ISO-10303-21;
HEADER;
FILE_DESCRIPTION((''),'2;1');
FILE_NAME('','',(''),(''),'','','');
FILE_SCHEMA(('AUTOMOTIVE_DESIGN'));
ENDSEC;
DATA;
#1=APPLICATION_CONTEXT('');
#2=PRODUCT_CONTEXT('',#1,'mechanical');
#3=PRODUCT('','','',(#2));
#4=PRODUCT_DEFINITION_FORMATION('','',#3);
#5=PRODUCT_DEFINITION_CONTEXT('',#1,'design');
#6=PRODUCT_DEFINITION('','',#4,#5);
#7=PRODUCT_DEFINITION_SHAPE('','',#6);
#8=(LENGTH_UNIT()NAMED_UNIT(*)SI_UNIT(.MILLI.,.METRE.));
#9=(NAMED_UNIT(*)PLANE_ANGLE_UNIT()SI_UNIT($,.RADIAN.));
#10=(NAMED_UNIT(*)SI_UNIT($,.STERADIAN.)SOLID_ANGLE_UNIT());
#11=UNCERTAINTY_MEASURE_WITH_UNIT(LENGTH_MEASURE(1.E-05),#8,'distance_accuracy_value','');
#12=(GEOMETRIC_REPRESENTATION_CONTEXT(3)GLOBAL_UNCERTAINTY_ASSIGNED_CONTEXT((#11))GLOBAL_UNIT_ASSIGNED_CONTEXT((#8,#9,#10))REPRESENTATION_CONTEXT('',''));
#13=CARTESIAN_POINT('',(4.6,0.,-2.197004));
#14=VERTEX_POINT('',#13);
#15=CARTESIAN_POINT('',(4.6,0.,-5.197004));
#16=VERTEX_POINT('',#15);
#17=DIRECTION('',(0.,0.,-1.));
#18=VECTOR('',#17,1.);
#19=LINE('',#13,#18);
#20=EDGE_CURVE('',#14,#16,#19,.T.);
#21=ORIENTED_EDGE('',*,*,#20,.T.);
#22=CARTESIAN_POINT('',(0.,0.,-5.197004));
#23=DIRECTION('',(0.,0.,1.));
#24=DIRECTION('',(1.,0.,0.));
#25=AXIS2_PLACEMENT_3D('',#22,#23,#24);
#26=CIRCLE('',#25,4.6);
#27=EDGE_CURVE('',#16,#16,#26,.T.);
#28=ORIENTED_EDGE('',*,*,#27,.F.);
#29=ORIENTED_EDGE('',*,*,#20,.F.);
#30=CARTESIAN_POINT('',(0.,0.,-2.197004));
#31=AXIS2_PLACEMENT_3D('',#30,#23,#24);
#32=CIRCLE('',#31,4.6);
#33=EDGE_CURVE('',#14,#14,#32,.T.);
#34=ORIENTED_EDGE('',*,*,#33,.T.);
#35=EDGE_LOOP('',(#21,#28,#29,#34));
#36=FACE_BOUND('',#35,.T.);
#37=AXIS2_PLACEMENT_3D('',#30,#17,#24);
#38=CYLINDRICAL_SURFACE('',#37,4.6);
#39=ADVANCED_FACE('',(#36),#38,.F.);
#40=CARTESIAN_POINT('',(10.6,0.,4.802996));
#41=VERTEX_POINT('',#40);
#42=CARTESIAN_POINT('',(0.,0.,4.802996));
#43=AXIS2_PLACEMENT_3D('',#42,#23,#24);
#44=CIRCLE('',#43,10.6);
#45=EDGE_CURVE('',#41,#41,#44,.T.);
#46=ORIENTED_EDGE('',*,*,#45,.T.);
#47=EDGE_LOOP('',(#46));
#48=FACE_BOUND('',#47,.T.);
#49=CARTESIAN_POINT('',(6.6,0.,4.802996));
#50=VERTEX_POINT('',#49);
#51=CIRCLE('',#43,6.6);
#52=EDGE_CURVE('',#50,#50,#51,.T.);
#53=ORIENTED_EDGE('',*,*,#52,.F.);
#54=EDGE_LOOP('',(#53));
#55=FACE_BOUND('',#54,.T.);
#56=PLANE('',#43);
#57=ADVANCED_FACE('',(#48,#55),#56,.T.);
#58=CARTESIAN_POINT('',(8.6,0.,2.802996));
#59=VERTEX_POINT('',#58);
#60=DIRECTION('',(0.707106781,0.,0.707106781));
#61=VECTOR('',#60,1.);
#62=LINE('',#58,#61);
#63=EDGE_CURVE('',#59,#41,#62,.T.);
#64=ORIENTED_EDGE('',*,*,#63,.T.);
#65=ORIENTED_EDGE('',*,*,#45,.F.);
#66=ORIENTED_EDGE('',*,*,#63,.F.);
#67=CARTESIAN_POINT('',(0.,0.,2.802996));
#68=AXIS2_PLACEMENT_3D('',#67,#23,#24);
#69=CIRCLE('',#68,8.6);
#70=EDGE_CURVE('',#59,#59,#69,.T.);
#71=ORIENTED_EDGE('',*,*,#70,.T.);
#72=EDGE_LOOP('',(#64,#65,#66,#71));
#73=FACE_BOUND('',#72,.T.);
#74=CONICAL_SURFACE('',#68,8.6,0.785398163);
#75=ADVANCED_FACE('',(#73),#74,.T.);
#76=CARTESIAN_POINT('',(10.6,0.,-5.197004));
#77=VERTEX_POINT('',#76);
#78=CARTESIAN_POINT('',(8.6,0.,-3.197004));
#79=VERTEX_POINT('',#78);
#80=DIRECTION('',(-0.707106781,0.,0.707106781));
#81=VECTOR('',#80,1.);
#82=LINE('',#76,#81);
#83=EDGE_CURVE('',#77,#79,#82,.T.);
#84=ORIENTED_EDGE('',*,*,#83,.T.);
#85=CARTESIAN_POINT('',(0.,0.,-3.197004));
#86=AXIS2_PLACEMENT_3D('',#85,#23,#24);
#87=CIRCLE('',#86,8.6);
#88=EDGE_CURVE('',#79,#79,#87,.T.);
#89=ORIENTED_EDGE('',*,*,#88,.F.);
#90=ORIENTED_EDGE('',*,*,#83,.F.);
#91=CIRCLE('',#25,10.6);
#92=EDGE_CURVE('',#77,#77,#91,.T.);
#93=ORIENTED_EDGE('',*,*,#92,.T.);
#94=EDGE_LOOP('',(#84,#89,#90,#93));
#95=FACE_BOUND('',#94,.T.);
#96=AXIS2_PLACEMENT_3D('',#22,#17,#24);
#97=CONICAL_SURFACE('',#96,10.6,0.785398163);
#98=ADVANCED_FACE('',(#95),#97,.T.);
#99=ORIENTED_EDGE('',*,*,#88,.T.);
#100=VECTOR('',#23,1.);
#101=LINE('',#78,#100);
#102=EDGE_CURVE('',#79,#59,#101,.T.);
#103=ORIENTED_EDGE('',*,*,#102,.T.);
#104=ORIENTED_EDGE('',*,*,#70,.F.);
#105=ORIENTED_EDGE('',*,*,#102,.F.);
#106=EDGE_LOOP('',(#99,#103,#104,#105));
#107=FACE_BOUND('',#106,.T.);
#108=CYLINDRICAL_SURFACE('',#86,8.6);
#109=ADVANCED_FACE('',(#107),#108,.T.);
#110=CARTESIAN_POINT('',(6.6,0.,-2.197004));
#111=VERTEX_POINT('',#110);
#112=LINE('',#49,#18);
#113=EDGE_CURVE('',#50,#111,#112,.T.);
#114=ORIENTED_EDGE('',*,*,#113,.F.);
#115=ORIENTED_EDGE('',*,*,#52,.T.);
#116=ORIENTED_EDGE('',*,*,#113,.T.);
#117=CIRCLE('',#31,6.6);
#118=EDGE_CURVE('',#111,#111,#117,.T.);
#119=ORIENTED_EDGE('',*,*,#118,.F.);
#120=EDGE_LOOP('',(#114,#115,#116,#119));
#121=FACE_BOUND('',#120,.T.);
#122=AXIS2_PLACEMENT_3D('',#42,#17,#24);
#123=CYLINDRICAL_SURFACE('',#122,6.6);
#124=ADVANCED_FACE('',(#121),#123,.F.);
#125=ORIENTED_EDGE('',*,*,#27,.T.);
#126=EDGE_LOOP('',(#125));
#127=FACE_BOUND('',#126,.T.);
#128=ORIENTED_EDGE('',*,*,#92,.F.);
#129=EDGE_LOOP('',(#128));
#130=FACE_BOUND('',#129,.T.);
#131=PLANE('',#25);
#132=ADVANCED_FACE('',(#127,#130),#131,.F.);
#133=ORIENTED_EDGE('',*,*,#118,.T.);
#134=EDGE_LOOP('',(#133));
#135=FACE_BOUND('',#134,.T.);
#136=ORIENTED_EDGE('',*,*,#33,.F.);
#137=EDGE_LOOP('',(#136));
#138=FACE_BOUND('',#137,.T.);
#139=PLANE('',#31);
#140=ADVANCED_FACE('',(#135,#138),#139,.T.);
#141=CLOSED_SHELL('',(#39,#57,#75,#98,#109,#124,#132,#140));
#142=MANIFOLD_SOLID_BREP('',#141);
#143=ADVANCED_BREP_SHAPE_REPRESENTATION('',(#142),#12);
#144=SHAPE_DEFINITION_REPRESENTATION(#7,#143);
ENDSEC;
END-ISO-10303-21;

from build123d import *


with BuildPart() as f1:
    # F0 (on Front) → F1 (revolve)
    with BuildSketch(Plane.XZ):
        Polygon((10.6, 4.802996), (6.6, 4.802996), (6.6, 2.802996), (8.6, 2.802996), align=None)
        Polygon((8.6, 2.802996), (6.6, 2.802996), (6.6, -2.197004), (6.6, -3.697004), (6.6, -5.197004), (10.6, -5.197004), (8.6, -3.197004), align=None)
        Polygon((6.6, -3.697004), (6.6, -2.197004), (4.6, -2.197004), (4.6, -5.197004), (6.6, -5.197004), align=None)
    revolve(axis=Axis((0, 0, 0.589413), (0, 0, 1)))


solid = f1.part
